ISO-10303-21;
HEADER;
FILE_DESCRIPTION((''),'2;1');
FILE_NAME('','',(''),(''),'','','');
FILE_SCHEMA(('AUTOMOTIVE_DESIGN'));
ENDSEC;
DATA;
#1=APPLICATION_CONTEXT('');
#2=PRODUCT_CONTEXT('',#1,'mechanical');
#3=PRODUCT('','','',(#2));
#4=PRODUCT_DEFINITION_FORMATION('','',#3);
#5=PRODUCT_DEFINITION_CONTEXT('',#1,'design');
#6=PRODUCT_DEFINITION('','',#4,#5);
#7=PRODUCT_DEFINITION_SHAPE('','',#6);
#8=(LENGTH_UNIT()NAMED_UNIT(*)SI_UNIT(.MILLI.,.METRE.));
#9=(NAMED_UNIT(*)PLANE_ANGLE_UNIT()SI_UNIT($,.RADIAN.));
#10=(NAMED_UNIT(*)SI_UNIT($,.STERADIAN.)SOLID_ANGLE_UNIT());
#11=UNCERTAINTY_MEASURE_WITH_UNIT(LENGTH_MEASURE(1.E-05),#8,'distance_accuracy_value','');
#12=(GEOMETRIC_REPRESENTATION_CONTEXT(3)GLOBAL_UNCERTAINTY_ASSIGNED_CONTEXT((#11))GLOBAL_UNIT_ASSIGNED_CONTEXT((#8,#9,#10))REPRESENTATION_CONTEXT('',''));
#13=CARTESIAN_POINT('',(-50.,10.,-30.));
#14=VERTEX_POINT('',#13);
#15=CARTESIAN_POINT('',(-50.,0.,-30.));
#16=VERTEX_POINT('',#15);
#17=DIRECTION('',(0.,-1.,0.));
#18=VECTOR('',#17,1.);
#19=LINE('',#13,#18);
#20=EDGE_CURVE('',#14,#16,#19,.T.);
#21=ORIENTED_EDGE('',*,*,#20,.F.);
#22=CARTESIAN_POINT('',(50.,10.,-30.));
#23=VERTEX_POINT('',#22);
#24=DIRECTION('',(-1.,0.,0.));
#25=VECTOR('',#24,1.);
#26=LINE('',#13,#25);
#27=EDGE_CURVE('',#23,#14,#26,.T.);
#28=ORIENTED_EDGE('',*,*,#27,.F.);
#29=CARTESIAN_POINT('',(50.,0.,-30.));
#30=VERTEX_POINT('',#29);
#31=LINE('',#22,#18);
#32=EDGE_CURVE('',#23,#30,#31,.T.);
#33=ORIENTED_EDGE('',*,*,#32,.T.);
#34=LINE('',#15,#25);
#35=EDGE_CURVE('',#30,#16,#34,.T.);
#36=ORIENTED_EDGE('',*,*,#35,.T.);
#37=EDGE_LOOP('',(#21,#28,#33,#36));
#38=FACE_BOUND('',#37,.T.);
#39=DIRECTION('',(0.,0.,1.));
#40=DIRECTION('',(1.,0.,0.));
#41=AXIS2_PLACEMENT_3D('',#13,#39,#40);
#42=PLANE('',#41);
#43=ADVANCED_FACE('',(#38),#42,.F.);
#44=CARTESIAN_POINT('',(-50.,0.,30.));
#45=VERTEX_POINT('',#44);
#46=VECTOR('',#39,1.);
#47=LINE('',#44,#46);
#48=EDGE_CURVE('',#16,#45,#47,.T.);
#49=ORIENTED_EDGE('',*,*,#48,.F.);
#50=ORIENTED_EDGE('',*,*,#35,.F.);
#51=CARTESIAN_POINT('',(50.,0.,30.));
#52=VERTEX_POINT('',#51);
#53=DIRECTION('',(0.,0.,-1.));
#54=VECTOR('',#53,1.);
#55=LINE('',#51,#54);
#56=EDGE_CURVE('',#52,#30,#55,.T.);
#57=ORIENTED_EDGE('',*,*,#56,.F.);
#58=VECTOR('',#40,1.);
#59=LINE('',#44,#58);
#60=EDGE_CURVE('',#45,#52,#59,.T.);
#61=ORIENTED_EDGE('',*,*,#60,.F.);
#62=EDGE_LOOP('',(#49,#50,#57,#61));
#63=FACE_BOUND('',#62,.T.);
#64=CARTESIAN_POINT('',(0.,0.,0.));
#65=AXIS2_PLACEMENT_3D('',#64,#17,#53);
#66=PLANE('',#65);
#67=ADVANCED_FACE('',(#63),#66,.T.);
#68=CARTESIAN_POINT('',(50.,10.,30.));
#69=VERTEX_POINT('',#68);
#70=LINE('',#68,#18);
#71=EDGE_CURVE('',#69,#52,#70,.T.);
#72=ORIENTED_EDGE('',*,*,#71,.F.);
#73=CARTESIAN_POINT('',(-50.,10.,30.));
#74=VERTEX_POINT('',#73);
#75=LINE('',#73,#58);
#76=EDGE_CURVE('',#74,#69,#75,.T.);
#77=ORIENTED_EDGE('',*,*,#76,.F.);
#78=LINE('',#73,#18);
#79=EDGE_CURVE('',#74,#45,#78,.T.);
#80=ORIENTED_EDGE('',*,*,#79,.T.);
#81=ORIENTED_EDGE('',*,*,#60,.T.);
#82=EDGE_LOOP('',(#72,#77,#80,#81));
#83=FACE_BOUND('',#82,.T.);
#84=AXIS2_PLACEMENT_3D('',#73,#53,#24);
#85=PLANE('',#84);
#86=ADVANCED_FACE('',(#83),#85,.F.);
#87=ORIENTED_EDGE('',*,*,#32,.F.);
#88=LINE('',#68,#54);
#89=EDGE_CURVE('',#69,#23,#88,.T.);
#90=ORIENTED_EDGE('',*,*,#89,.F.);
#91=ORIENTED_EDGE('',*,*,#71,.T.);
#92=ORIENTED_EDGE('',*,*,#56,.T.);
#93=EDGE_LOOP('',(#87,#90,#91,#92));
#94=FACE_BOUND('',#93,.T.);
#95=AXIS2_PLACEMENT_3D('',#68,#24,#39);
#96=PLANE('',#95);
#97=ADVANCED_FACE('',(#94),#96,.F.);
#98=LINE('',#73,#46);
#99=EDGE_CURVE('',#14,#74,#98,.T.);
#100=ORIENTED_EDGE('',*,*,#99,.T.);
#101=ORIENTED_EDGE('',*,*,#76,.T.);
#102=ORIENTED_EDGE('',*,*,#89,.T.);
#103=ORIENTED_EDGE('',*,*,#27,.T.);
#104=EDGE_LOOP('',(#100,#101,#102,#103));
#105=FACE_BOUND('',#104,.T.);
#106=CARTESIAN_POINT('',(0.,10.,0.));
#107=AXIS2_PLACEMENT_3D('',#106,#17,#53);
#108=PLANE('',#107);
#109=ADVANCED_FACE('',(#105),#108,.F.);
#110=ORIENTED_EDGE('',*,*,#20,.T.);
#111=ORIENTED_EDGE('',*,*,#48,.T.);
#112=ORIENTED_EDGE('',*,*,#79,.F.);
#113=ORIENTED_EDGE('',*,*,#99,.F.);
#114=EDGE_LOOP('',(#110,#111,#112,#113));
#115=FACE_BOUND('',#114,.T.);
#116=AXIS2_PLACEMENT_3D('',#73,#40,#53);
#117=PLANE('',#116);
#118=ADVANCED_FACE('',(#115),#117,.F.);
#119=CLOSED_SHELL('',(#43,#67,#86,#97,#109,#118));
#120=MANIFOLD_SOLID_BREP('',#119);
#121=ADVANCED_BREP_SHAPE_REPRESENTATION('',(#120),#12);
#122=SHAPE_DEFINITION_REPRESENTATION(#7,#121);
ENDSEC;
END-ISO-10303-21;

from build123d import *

# Parameters (mm, degrees)
SKETCH1_W           = 100
SKETCH1_H           = 60
BOSS_EXTRUDE1_DEPTH = 10


with BuildPart() as part:
    # Sketch1 → Boss-Extrude1 (new body)
    with BuildSketch(Plane(origin=(0, 0, 0), x_dir=(1, 0, 0), z_dir=(0, 1, 0))):
        Rectangle(SKETCH1_W, SKETCH1_H)
    extrude(amount=BOSS_EXTRUDE1_DEPTH)


solid = part.part
